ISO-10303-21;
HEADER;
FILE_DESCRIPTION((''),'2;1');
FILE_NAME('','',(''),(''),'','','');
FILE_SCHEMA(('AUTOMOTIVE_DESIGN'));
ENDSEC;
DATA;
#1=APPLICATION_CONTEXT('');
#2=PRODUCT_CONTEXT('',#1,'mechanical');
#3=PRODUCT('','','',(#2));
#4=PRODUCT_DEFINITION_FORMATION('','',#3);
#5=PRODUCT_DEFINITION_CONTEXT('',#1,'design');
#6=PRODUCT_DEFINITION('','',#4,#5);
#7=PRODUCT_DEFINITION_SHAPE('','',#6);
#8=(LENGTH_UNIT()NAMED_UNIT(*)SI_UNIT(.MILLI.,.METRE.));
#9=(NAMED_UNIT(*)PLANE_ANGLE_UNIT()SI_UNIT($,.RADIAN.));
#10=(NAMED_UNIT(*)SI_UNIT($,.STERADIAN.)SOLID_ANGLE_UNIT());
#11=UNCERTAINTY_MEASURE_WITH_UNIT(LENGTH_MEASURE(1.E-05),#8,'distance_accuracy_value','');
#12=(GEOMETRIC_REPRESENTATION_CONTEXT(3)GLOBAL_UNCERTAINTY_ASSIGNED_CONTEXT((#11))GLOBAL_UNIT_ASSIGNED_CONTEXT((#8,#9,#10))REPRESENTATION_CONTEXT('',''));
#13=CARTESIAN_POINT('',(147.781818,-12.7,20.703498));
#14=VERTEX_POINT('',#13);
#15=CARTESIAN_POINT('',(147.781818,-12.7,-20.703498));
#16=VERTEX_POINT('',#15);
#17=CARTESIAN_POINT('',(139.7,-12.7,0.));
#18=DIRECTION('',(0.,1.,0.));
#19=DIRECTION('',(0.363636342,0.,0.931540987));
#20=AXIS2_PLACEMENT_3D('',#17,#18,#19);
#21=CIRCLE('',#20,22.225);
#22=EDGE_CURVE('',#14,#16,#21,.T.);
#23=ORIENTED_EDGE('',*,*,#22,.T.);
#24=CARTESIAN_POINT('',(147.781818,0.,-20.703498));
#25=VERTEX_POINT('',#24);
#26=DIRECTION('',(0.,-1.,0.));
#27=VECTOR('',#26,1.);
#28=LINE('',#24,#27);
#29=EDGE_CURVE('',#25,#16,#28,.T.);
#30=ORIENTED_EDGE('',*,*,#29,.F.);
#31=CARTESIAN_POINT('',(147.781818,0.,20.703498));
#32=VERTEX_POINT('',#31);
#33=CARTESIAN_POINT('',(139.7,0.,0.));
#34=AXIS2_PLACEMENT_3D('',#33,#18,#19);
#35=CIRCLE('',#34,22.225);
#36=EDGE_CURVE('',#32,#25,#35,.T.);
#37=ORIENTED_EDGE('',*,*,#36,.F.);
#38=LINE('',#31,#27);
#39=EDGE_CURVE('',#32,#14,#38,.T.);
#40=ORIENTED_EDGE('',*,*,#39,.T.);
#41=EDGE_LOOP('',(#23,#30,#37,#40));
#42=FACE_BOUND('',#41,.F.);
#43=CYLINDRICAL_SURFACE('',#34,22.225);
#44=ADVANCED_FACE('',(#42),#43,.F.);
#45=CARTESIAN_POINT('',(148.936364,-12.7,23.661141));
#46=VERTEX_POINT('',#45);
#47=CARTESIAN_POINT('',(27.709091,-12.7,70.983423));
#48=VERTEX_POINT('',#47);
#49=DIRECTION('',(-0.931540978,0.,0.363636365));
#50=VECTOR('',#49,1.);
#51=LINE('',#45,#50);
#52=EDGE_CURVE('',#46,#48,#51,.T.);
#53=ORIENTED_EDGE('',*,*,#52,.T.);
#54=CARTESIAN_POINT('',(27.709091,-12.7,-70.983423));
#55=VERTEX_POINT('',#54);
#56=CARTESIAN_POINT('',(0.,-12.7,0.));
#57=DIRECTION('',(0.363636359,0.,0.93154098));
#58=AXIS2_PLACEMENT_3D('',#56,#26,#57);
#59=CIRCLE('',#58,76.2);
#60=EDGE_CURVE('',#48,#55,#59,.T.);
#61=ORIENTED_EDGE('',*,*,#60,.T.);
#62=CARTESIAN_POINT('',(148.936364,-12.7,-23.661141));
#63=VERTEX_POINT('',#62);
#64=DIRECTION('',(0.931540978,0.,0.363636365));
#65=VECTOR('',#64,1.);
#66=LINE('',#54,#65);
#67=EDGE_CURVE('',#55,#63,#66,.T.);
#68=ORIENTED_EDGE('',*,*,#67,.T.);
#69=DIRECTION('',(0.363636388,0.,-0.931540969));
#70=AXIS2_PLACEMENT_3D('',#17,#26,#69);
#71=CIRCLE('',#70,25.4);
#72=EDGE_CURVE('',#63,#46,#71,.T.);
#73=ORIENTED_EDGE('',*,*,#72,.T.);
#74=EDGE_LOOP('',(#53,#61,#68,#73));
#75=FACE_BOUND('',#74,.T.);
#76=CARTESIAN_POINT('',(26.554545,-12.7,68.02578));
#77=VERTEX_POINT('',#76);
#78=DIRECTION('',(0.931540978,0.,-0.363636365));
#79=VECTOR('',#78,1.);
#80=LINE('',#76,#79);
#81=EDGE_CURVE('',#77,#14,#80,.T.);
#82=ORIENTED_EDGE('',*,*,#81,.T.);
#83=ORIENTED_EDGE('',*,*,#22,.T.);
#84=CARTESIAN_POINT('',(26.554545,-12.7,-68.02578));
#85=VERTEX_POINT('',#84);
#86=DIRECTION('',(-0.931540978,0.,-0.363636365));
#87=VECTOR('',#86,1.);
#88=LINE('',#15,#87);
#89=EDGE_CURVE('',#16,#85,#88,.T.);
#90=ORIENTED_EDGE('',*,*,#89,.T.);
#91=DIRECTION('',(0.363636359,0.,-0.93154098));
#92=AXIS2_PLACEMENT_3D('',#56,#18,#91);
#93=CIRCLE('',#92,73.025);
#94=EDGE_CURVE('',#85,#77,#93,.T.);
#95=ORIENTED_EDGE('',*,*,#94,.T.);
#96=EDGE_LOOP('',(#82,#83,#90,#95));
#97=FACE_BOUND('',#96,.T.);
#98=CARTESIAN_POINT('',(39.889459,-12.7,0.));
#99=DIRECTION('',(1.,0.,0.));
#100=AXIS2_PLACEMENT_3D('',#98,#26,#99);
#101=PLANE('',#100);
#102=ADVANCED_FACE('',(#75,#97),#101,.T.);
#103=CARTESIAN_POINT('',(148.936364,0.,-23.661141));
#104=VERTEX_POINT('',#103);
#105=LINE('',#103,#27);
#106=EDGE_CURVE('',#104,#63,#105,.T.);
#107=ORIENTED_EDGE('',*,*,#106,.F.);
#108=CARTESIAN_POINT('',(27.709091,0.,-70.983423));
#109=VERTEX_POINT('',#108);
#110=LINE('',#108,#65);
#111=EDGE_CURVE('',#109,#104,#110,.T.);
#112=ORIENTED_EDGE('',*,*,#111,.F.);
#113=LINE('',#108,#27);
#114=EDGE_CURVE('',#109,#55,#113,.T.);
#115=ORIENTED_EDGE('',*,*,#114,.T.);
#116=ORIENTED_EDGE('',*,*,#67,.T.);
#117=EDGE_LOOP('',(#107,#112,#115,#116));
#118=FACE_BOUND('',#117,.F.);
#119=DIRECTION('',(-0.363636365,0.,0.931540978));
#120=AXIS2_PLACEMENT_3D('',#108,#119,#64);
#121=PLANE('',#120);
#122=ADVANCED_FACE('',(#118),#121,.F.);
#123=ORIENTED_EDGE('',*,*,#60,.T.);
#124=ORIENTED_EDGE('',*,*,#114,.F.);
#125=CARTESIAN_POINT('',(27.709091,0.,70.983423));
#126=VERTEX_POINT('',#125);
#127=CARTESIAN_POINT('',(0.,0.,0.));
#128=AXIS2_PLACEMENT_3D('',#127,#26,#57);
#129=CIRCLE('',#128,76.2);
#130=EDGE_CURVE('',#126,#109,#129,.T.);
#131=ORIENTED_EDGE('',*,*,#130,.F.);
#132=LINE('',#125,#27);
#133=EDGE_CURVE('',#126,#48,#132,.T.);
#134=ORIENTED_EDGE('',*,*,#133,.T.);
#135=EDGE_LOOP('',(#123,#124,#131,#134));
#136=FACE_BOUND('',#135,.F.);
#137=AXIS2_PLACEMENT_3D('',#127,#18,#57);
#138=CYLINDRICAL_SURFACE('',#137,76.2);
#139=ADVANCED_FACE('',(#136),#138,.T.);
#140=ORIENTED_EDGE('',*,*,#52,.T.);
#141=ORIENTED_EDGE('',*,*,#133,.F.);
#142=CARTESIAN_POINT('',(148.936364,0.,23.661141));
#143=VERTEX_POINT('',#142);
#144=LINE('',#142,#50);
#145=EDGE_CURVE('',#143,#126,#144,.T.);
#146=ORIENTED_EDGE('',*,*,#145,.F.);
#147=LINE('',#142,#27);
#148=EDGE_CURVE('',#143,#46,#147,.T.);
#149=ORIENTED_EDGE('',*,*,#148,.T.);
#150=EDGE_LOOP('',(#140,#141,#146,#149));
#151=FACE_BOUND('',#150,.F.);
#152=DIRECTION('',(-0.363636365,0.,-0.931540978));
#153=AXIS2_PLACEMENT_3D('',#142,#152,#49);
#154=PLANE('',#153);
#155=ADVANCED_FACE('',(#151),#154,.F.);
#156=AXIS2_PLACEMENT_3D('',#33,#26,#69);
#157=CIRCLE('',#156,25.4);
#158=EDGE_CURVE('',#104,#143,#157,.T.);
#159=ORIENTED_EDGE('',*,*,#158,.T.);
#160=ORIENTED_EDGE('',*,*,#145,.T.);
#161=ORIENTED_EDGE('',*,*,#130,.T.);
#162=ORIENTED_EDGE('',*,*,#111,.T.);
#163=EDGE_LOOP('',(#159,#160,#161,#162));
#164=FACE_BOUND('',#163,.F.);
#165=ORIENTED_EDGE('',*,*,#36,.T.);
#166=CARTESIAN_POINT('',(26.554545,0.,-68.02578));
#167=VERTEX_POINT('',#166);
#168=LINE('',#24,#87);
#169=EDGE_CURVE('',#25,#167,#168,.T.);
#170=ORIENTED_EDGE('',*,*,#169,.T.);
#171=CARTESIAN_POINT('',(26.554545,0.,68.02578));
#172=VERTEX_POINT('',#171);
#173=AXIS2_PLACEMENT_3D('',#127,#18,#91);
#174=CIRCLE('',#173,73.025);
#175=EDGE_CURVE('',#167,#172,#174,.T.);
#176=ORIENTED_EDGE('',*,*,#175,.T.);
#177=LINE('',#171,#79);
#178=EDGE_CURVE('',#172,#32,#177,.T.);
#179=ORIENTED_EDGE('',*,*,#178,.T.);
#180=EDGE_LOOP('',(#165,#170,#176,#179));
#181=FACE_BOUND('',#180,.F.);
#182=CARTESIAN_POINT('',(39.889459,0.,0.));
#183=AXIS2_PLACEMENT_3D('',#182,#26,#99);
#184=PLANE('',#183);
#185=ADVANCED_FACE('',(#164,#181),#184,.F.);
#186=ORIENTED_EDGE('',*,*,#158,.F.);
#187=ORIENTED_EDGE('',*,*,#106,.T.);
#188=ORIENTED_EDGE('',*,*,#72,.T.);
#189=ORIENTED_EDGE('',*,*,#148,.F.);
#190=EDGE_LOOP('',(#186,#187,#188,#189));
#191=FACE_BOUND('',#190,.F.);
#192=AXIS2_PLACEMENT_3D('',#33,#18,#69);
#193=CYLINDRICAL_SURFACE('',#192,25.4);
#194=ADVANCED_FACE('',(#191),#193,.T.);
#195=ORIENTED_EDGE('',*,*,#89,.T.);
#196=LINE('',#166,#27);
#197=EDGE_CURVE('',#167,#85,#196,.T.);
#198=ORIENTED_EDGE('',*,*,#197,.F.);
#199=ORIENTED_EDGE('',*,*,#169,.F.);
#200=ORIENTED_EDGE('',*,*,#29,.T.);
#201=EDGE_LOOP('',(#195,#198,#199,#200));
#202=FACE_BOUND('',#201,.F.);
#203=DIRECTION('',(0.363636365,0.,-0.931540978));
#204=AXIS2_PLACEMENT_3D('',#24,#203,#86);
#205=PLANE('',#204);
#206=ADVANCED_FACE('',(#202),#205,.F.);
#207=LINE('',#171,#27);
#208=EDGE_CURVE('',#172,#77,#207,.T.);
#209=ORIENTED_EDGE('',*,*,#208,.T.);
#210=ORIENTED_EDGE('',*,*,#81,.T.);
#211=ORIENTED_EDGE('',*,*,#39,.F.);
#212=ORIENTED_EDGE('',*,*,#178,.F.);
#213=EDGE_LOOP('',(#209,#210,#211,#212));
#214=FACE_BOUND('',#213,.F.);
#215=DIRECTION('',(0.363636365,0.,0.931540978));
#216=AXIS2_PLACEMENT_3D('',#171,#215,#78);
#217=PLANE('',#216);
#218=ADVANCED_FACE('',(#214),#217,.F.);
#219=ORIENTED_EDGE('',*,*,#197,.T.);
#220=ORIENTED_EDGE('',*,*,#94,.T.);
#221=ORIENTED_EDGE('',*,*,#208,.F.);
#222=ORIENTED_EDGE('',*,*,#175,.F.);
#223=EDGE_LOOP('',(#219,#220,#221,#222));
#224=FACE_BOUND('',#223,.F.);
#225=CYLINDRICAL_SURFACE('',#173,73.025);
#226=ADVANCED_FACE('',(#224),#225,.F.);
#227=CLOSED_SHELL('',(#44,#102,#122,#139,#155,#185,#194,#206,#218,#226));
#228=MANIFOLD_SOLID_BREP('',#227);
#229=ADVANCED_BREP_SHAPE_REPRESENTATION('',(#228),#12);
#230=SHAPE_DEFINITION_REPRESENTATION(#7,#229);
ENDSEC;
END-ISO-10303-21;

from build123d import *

# Parameters (mm, degrees)
F1_DEPTH = 12.7


with BuildPart() as f1:
    # F0 (on Front) → F1 (new body)
    with BuildSketch(Plane.XZ):
        with BuildLine():
            Line((148.936364, 23.661141), (27.709091, 70.983423))
            ThreePointArc((27.709091, 70.983423), (-76.2, 0), (27.709091, -70.983423))
            Line((27.709091, -70.983423), (148.936364, -23.661141))
            ThreePointArc((148.936364, -23.661141), (165.1, 0), (148.936364, 23.661141))
        make_face()
        with BuildLine():
            Line((147.781818, -20.703498), (26.554545, -68.02578))
            ThreePointArc((26.554545, -68.02578), (-73.025, 0), (26.554545, 68.02578))
            Line((26.554545, 68.02578), (147.781818, 20.703498))
            ThreePointArc((147.781818, 20.703498), (161.925, 0), (147.781818, -20.703498))
        make_face(mode=Mode.SUBTRACT)
    extrude(amount=F1_DEPTH)


solid = f1.part
